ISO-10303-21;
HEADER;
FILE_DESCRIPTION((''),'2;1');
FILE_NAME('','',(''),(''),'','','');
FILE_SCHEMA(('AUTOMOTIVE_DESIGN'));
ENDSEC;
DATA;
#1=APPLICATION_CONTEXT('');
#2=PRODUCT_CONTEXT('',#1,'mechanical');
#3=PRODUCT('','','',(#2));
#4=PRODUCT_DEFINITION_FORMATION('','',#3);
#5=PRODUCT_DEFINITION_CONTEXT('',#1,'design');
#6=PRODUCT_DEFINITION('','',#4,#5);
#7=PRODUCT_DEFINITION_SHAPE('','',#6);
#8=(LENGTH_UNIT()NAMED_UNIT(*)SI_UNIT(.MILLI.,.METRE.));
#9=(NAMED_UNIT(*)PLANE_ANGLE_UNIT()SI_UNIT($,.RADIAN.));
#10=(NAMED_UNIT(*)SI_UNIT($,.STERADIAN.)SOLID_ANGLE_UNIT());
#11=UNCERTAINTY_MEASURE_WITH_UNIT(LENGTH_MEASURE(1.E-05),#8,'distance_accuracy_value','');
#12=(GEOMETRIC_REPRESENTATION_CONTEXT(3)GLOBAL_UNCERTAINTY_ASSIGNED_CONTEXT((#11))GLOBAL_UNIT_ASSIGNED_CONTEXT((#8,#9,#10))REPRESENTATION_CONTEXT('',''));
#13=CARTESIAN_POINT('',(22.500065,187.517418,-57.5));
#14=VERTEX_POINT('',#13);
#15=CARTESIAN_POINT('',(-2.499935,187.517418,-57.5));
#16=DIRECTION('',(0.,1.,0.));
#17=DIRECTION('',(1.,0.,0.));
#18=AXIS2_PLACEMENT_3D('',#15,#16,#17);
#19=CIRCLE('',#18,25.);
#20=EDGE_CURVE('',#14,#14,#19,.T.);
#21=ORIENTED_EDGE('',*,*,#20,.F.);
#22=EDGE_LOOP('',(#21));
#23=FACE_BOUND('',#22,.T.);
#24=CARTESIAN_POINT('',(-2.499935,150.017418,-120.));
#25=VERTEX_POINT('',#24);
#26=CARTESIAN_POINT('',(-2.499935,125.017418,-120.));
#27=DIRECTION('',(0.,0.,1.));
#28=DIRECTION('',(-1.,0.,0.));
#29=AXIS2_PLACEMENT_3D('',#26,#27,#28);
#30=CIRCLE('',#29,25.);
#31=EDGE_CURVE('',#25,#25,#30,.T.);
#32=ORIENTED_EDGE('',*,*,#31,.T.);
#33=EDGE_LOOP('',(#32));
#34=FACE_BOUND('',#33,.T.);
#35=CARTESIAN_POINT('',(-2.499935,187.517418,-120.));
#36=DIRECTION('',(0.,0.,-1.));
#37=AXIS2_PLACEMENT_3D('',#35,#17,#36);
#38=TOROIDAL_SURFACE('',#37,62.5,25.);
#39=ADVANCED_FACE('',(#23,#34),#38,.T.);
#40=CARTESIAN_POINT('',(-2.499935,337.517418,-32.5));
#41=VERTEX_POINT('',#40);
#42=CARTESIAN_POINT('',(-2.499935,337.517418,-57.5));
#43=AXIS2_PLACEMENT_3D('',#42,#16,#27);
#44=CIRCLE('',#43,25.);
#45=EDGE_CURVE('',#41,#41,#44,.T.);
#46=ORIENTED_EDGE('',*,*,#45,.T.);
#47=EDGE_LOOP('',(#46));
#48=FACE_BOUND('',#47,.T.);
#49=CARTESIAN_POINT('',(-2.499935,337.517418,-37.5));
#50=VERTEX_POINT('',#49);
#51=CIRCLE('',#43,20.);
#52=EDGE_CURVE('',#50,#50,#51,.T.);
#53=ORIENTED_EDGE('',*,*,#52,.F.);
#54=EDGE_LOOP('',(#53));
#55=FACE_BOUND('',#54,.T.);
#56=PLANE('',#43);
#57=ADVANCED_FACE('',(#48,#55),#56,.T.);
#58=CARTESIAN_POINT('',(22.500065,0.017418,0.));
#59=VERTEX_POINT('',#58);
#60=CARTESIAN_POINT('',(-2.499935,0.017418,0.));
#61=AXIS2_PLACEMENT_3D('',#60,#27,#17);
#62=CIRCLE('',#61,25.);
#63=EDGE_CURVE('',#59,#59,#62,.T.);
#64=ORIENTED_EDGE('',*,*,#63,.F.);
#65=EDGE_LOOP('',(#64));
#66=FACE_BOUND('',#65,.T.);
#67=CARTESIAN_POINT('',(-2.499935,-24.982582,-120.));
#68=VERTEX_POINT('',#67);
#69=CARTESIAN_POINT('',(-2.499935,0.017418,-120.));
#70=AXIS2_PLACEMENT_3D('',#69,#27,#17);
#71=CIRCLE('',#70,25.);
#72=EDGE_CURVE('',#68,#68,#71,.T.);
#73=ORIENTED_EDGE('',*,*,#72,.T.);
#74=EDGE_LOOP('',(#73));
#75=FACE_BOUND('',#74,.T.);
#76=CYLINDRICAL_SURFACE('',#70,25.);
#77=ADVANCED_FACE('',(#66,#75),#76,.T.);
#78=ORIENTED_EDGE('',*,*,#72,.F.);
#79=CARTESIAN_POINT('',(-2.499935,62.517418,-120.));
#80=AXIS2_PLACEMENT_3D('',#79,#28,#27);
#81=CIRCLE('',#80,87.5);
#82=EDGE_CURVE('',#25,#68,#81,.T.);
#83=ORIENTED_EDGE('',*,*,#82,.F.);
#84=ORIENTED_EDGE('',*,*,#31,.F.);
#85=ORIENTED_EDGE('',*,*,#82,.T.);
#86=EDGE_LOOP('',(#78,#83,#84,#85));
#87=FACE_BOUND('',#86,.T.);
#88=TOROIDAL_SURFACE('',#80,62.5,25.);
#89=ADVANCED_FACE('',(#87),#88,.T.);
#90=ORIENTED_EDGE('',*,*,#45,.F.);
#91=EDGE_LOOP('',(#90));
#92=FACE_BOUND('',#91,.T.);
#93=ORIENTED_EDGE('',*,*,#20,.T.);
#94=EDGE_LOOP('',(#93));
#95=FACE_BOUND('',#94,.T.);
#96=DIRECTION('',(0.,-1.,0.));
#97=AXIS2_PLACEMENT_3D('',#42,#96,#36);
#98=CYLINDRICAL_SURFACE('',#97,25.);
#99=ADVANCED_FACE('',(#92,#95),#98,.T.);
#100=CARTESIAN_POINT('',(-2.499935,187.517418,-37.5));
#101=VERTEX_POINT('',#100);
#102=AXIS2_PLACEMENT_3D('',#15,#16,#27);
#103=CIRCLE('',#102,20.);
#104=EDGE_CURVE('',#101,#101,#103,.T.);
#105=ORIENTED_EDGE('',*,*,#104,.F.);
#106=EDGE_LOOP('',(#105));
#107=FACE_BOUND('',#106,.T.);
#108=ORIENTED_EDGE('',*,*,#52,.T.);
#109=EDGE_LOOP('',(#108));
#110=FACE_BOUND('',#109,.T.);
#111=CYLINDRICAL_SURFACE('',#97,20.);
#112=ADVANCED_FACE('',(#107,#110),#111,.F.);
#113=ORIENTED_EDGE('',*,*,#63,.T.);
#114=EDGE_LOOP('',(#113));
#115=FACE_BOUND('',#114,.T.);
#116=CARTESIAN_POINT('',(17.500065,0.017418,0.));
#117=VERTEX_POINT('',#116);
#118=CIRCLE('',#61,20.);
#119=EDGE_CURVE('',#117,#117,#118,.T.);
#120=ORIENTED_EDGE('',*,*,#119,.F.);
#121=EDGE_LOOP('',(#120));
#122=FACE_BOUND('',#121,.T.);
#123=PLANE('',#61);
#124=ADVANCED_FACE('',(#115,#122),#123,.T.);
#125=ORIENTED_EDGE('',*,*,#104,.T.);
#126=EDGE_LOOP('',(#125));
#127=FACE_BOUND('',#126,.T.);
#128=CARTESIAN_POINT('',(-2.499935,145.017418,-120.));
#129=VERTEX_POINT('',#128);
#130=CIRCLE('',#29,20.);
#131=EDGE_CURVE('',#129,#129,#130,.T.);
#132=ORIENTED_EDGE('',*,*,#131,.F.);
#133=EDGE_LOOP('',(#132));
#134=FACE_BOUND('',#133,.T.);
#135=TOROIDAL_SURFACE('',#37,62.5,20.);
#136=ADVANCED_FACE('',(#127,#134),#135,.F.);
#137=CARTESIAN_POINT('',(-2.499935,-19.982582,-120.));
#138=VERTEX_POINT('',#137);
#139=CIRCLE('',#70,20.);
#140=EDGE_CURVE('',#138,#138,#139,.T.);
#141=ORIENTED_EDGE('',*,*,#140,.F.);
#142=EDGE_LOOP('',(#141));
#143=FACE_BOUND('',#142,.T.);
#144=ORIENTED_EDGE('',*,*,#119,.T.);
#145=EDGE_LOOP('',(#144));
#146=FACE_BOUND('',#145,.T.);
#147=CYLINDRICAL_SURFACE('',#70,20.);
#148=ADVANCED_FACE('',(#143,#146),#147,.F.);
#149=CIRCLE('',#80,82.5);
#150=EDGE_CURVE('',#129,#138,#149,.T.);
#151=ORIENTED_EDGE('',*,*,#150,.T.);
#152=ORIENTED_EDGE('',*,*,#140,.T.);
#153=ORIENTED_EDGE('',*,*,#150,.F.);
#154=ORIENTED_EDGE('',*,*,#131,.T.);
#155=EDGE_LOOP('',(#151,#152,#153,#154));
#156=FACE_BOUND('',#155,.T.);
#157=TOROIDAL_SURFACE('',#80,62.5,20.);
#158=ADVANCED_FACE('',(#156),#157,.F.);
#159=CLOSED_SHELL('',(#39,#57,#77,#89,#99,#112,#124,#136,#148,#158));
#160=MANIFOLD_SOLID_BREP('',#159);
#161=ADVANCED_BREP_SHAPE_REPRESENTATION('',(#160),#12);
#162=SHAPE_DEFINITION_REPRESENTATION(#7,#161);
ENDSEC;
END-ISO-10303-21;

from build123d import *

# Parameters (mm, degrees)
SKETCH2_R           = 25
SKETCH2_R_2         = 20
BASE_EXTRUDE_DEPTH  = 120
SKETCH4_R           = 25
SKETCH4_R_2         = 20
SKETCH5_R           = 25
SKETCH5_R_2         = 20
SKETCH7_R           = 25
SKETCH7_R_2         = 20
BOSS_EXTRUDE1_DEPTH = 150


with BuildPart() as part:
    # Sketch2 → Base-Extrude (new body)
    with BuildSketch(Plane.XY):
        with Locations((-2.499935409, 0.01741759)):
            Circle(SKETCH2_R)
        with Locations((-2.499935409, 0.01741759)):
            Circle(SKETCH2_R_2, mode=Mode.SUBTRACT)
    extrude(amount=-BASE_EXTRUDE_DEPTH)

    # Boss-Sweep1: sweep along a path in Sketch3
    with BuildLine(Plane(origin=(0, 0, 0), x_dir=(0, 0, -1), z_dir=(1, 0, 0))) as boss_sweep1_path:
        ThreePointArc((120, 0.01741759), (182.5, 62.51741759), (120, 125.01741759))
    # Sketch4 → Boss-Sweep1 (sweep)
    with BuildSketch(Plane(origin=(0, 0, -120), x_dir=(-1, 0, 0), z_dir=(0, 0, -1))):
        with Locations((2.499935409, 0.01741759)):
            Circle(SKETCH4_R)
        with Locations((2.499935409, 0.01741759)):
            Circle(SKETCH4_R_2, mode=Mode.SUBTRACT)
    sweep(path=boss_sweep1_path.line)

    # Boss-Sweep2: sweep along a path in Sketch6
    with BuildLine(Plane(origin=(0, 0, 0), x_dir=(0, 0, -1), z_dir=(1, 0, 0))) as boss_sweep2_path:
        ThreePointArc((57.5, 187.51741759), (75.805826176, 143.323243766), (120, 125.01741759))
    # Sketch5 → Boss-Sweep2 (sweep)
    with BuildSketch(Plane.XY.offset(-120)):
        with Locations((-2.499935409, 125.01741759)):
            Circle(SKETCH5_R)
        with Locations((-2.499935409, 125.01741759)):
            Circle(SKETCH5_R_2, mode=Mode.SUBTRACT)
    sweep(path=boss_sweep2_path.line)

    # Sketch7 → Boss-Extrude1 (add)
    with BuildSketch(Plane(origin=(0, 187.51741759, 0), x_dir=(-1, 0, 0), z_dir=(0, 1, 0))):
        with Locations((2.499935409, -57.5)):
            Circle(SKETCH7_R)
        with Locations((2.499935409, -57.5)):
            Circle(SKETCH7_R_2, mode=Mode.SUBTRACT)
    extrude(amount=BOSS_EXTRUDE1_DEPTH)


solid = part.part
